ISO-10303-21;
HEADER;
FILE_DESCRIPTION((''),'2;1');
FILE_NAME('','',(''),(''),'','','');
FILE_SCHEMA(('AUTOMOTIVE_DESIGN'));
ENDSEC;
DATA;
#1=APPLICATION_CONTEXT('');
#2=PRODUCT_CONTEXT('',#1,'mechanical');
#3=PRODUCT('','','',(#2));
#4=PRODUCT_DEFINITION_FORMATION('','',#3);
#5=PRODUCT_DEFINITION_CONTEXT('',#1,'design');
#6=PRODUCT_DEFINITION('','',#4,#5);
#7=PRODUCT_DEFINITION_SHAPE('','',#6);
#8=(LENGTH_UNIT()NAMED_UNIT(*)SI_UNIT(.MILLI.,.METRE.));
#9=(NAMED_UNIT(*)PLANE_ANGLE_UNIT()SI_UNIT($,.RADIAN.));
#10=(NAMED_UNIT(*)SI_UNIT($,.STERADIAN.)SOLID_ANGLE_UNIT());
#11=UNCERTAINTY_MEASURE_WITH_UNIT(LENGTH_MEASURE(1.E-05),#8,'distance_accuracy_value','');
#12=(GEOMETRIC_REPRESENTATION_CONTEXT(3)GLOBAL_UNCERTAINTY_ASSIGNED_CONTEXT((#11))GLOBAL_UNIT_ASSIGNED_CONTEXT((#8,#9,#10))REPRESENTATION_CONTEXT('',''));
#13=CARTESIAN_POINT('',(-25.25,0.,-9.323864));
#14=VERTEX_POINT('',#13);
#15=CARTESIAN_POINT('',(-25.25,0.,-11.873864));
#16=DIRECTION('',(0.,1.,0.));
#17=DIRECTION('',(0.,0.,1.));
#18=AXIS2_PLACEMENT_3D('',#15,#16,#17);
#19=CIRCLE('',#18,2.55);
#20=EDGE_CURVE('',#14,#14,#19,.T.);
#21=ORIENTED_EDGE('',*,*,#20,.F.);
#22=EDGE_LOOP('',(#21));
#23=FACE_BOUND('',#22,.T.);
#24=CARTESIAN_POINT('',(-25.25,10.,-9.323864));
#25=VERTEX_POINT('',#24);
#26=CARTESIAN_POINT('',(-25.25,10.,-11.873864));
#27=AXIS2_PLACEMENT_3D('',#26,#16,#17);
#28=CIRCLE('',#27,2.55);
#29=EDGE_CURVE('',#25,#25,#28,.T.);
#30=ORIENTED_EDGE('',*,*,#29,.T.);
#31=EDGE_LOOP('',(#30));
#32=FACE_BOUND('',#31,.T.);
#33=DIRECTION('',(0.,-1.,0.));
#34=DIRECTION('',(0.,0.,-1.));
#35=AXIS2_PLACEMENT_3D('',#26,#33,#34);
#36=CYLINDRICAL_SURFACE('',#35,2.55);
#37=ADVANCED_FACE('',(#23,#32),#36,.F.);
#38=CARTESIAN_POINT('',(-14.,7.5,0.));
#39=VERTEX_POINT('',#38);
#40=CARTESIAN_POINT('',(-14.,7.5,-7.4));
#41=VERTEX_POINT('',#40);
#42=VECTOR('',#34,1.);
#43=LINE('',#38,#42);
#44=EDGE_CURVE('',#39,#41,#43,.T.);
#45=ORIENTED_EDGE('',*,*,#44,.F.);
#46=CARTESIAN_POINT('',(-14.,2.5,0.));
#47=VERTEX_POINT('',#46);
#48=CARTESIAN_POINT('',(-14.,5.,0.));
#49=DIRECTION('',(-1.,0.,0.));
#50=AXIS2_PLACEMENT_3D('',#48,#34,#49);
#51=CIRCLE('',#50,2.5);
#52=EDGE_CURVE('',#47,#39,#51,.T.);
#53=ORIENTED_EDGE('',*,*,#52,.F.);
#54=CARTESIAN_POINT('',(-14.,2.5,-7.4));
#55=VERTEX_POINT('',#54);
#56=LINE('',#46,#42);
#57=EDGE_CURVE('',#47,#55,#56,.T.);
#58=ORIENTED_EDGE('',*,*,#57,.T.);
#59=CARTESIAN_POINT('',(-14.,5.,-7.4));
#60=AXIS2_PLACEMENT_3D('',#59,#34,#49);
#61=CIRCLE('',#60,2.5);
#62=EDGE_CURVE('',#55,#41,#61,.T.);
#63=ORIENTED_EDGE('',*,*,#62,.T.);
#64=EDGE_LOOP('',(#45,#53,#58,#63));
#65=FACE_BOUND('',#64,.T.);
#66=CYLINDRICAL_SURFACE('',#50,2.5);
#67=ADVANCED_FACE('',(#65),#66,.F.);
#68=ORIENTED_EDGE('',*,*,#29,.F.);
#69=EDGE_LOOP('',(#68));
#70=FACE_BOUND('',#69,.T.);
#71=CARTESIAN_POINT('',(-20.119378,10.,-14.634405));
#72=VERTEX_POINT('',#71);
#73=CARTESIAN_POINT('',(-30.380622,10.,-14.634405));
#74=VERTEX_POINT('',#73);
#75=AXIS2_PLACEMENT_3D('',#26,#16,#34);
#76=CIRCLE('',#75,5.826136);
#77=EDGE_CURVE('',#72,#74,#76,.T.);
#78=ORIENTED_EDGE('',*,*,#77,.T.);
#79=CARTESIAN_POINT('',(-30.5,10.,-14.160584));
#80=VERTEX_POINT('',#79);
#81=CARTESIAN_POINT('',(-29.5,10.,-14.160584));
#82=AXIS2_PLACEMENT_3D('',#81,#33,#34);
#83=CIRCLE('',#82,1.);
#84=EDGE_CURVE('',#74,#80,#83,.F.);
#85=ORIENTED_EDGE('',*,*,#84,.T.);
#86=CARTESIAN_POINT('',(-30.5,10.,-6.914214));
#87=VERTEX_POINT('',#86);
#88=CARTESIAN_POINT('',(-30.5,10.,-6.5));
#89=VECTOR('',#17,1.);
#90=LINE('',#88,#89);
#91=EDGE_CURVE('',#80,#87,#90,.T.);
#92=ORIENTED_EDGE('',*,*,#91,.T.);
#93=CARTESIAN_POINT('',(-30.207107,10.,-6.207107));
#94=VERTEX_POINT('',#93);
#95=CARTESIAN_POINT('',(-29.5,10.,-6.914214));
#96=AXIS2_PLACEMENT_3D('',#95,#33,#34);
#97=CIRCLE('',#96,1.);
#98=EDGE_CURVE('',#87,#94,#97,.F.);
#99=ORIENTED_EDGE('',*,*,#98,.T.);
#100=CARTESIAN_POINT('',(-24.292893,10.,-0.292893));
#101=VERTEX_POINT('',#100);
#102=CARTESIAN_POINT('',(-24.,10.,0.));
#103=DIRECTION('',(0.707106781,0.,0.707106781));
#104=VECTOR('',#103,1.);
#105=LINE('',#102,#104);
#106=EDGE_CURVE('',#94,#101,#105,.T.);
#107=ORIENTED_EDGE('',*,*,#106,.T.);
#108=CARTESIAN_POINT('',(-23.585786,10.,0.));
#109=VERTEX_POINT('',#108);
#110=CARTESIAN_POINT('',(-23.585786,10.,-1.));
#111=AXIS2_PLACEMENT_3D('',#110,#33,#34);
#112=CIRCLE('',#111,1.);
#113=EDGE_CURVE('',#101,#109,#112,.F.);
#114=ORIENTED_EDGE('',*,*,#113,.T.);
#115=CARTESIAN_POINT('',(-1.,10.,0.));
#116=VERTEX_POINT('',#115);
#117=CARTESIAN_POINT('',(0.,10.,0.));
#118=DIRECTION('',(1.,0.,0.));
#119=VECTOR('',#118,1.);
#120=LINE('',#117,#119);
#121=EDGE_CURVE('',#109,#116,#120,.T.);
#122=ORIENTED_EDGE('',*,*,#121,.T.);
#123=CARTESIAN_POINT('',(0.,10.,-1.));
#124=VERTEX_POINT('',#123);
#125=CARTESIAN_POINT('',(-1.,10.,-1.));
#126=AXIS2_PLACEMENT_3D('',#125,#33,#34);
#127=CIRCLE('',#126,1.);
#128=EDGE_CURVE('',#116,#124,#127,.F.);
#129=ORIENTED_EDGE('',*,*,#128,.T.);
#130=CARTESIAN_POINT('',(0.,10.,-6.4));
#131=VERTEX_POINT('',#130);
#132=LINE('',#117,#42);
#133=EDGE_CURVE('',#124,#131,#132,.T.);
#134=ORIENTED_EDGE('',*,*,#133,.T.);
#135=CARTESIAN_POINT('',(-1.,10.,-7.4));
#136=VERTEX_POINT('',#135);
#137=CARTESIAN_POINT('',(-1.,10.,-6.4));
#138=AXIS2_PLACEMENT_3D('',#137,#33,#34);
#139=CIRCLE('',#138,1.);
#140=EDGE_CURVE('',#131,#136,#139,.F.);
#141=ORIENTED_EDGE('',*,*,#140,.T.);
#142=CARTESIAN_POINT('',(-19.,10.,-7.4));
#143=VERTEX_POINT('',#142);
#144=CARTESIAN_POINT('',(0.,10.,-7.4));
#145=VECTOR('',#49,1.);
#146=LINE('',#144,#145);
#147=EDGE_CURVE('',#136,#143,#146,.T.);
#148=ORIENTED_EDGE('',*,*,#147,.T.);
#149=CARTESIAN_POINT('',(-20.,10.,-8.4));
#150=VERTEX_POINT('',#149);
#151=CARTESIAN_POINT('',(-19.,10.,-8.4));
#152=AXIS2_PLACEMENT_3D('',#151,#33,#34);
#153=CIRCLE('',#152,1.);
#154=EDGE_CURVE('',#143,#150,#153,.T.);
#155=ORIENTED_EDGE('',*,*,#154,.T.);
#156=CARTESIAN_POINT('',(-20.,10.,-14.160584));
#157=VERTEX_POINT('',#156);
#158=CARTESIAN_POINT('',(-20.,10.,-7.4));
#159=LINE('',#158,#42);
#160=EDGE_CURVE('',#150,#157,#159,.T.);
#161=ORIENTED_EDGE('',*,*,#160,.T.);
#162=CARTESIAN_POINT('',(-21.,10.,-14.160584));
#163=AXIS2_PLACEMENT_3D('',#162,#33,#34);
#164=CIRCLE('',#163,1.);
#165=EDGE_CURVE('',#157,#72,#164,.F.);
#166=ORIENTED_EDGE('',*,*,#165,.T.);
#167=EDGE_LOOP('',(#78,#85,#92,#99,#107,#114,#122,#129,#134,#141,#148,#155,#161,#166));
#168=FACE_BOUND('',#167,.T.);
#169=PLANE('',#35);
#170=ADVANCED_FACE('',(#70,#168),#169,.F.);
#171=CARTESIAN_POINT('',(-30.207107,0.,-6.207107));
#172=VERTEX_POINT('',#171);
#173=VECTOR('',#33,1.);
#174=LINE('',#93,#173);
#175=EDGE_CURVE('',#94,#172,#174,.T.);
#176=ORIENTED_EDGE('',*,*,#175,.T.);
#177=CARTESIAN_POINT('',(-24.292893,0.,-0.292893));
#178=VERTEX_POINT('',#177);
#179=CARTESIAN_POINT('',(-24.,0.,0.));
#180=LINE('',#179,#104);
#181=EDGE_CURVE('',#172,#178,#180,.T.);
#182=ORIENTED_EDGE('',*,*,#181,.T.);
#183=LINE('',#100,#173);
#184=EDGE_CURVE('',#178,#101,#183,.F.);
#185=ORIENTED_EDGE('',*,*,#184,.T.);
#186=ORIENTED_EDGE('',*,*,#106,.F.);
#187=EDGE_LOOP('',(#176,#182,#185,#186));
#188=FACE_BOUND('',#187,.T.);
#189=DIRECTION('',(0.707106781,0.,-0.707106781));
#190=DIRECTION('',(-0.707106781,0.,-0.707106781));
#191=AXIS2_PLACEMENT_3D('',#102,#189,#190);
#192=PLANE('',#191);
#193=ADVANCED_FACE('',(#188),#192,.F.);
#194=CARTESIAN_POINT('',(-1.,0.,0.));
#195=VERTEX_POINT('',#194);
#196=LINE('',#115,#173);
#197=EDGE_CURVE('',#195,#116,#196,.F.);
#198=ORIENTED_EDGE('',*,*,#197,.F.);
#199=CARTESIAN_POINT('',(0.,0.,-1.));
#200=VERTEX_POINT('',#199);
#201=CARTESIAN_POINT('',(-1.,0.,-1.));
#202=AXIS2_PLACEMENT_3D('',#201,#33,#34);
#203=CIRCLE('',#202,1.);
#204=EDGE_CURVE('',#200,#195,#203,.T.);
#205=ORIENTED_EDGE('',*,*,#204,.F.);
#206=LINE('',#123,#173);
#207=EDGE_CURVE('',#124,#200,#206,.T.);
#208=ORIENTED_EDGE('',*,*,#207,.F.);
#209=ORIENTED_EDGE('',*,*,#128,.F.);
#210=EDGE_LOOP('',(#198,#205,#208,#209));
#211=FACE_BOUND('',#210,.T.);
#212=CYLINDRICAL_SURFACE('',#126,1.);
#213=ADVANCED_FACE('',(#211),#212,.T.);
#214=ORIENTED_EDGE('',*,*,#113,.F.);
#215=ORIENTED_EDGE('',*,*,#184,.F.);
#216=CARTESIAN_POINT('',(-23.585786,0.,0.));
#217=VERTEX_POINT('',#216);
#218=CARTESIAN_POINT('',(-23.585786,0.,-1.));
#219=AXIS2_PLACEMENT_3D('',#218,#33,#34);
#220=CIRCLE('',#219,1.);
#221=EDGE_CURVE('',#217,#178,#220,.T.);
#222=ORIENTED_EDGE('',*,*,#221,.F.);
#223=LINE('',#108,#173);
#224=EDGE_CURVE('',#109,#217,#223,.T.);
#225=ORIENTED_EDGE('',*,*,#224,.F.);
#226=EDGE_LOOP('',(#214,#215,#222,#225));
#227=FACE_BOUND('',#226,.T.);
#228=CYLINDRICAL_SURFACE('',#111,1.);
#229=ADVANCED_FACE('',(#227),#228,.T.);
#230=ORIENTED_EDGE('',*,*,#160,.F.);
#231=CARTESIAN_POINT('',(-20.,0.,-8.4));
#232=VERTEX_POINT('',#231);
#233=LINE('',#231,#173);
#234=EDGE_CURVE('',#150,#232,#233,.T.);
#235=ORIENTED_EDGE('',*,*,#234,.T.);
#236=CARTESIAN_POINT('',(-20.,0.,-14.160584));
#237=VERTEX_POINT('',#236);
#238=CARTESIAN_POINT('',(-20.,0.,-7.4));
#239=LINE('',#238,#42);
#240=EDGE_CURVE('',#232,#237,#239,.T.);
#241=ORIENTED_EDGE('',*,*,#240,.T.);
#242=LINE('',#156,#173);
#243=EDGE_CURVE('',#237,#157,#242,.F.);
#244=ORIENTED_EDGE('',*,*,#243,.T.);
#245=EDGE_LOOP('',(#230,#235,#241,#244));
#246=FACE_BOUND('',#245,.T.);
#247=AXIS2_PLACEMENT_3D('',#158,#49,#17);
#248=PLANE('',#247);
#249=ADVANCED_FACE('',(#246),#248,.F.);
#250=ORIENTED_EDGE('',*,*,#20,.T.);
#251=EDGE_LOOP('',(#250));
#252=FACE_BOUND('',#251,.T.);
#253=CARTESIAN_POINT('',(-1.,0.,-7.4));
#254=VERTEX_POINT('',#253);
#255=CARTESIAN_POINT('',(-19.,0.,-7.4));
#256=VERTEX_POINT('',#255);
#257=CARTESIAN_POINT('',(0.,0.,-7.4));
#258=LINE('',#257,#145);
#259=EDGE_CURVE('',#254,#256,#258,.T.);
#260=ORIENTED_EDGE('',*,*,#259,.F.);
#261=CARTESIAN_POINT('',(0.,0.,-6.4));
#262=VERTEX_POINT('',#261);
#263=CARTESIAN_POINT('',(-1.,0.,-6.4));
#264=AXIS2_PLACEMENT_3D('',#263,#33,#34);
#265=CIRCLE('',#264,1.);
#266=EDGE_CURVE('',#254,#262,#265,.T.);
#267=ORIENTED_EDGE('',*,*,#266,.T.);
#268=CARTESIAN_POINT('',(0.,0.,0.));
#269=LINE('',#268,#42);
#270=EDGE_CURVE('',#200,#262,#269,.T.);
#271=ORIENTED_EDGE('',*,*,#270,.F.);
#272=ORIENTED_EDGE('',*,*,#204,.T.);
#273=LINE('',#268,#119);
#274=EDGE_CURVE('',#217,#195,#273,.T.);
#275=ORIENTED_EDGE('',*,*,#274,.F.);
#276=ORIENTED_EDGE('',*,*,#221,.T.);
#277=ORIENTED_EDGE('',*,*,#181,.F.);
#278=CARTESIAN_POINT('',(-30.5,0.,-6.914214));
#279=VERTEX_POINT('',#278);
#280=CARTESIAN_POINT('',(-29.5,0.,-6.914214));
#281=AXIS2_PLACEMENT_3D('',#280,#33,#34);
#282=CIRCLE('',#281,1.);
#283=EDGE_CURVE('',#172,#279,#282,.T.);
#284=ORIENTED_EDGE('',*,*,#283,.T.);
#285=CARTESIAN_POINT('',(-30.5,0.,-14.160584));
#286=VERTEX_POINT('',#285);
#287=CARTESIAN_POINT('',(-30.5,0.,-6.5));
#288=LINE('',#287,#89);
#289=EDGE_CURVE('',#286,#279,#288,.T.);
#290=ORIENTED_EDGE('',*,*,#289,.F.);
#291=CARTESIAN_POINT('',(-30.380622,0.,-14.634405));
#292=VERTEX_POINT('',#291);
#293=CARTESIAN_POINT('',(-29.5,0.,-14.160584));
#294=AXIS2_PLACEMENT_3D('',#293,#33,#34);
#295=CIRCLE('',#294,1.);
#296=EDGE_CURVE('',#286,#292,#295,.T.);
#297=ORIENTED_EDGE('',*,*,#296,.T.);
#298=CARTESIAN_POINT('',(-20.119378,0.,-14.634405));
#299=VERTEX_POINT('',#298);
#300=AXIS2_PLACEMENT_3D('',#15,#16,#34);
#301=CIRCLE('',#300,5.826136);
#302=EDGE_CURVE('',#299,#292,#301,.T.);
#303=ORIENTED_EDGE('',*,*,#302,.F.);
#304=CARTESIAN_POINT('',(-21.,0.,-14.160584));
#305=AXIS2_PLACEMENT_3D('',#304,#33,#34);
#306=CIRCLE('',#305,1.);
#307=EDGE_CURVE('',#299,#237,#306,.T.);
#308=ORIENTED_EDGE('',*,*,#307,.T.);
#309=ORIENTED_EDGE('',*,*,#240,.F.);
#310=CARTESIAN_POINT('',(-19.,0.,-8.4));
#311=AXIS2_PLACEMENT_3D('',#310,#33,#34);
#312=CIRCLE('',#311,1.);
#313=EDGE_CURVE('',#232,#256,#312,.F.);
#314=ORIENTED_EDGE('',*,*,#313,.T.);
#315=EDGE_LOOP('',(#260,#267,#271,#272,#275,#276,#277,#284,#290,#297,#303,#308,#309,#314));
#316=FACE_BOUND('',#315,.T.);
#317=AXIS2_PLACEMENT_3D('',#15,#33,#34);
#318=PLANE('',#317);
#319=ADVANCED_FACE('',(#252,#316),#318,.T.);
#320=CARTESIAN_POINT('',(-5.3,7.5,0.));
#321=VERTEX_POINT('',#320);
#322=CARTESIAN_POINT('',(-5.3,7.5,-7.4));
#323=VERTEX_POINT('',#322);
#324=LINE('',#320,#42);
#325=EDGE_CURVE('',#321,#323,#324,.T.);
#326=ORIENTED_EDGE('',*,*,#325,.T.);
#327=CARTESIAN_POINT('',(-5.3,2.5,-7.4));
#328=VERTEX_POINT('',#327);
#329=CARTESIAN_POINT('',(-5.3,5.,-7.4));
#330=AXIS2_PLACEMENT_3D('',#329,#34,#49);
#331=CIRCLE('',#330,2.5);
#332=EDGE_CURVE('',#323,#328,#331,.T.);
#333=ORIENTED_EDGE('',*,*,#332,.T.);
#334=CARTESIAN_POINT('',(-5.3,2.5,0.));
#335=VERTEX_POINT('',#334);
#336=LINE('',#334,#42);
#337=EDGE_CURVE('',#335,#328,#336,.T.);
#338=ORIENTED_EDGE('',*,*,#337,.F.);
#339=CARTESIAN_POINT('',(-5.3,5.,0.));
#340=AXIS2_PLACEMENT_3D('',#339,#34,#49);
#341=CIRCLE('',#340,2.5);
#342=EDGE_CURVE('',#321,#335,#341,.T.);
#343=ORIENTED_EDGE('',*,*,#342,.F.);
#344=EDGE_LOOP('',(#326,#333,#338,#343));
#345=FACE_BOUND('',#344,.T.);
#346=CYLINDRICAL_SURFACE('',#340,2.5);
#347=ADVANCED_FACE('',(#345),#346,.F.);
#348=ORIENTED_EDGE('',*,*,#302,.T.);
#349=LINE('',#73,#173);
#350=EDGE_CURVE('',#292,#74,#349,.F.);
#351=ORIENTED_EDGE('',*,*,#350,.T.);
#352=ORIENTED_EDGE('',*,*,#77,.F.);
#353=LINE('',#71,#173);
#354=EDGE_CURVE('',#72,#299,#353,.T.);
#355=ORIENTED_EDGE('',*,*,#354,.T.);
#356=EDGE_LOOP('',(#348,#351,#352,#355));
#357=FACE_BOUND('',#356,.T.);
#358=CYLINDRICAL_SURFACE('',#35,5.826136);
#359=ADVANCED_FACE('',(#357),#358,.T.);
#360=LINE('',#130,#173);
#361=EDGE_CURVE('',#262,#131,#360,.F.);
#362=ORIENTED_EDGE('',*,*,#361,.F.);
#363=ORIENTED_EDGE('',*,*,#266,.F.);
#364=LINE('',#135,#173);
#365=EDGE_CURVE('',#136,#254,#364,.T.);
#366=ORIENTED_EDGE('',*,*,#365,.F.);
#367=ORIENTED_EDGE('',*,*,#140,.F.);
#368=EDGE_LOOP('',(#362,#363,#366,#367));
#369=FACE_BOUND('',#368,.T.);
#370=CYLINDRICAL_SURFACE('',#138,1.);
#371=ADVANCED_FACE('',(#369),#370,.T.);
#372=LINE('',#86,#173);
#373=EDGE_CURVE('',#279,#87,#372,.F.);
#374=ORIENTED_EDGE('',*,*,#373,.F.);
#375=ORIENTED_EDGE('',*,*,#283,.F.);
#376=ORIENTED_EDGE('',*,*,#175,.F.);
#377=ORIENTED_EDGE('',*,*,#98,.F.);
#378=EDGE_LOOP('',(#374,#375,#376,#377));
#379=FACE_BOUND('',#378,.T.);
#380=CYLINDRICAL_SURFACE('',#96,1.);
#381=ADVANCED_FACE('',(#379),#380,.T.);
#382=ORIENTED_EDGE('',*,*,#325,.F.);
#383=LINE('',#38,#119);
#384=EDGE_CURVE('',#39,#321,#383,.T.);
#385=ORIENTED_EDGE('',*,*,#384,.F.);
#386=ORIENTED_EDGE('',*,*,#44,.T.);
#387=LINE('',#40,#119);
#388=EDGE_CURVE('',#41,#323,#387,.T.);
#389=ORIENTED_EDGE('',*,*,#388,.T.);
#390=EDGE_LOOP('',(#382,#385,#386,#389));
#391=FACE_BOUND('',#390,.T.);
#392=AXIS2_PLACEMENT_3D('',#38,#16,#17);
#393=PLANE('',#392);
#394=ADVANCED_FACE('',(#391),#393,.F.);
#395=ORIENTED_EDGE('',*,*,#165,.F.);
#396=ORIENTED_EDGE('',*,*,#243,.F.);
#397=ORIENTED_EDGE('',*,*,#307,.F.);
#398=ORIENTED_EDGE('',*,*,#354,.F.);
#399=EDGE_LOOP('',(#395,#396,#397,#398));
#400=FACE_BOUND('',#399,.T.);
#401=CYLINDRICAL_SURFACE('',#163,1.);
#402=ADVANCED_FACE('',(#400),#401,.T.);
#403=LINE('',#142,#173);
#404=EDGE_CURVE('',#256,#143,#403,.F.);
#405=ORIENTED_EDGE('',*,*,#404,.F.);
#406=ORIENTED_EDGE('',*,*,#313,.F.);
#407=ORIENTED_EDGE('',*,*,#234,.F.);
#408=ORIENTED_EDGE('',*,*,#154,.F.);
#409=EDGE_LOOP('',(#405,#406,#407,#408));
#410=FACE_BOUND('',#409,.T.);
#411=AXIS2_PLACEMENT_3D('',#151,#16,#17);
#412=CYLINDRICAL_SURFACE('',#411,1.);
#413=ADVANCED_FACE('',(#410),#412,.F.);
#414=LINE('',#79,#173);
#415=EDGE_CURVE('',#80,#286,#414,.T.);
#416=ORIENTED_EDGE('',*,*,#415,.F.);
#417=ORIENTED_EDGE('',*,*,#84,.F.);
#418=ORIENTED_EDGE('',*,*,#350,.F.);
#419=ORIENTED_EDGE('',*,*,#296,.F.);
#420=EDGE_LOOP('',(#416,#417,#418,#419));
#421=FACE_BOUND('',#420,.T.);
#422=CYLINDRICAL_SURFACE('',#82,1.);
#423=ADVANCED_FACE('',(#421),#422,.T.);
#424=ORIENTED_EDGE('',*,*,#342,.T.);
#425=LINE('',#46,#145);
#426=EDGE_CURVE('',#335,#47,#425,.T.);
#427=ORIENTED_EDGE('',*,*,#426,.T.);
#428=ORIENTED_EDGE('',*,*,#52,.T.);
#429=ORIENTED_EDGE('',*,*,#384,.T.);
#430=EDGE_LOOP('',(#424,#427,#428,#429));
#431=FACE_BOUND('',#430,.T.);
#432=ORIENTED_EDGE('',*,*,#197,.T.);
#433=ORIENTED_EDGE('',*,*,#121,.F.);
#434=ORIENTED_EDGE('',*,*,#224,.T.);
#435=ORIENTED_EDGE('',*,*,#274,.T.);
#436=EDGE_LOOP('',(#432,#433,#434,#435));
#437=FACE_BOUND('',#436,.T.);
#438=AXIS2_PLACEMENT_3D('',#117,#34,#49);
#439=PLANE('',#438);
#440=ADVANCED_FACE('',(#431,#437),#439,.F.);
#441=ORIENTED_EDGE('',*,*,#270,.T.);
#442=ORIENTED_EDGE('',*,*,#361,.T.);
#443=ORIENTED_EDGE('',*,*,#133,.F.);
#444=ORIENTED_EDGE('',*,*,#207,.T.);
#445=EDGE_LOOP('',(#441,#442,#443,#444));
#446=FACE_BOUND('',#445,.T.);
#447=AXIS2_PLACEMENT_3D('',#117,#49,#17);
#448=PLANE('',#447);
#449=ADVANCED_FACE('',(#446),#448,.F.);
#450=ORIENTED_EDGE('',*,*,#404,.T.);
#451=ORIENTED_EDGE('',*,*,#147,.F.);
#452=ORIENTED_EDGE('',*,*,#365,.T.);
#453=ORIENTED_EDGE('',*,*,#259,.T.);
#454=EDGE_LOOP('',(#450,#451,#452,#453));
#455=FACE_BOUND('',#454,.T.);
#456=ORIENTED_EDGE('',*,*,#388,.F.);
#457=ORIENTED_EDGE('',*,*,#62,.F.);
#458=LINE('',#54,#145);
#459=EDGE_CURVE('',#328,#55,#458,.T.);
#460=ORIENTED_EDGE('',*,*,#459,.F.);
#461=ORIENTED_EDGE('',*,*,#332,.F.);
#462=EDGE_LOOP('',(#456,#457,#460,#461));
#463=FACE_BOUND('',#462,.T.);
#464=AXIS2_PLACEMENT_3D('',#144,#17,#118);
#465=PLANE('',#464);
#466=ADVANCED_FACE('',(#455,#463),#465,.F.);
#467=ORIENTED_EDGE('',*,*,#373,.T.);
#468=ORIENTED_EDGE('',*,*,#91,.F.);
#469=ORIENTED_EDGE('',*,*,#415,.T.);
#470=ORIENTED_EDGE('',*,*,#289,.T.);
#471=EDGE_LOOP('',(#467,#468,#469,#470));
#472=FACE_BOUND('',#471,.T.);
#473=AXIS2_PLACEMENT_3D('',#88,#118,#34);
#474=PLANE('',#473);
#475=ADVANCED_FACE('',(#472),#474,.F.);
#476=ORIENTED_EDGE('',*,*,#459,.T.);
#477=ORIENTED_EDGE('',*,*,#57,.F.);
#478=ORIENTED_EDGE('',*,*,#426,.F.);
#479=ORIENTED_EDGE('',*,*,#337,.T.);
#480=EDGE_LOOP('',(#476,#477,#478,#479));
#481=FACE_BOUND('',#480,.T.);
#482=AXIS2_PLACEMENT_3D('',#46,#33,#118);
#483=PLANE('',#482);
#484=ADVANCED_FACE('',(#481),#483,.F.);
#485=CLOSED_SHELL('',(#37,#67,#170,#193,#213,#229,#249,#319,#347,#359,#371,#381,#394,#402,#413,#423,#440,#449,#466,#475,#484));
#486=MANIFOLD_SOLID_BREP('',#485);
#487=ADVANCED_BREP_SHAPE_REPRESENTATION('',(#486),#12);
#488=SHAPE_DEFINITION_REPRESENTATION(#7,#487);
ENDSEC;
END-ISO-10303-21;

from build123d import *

# Parameters (mm, degrees)
SKETCH1_R           = 2.55
BOSS_EXTRUDE1_DEPTH = 10
CUT_EXTRUDE1_DEPTH  = 34.709642537
FILLET2_R           = 1


with BuildPart() as part:
    # Sketch1 → Boss-Extrude1 (new body)
    with BuildSketch(Plane(origin=(0, 0, 0), x_dir=(1, 0, 0), z_dir=(0, 1, 0))):
        with BuildLine():
            Line((0, 0), (0, 7.4))
            Line((0, 7.4), (-20, 7.4))
            Line((-20, 7.4), (-20, 14.4))
            ThreePointArc((-20, 14.4), (-25.25, 17.7), (-30.5, 14.4))
            Line((-30.5, 14.4), (-30.5, 6.5))
            Line((-30.5, 6.5), (-24, 0))
            Line((-24, 0), (0, 0))
        make_face()
        with Locations(Location((-25.25, 11.873863636, 0), (0, 0, 270))):
            Circle(SKETCH1_R, mode=Mode.SUBTRACT)
    extrude(amount=BOSS_EXTRUDE1_DEPTH)

    # Sketch3 → Cut-Extrude1 (cut, through all)
    with BuildSketch(Plane(origin=(0, 0, -7.4), x_dir=(-1, 0, 0), z_dir=(0, 0, -1))):
        with BuildLine():
            Line((14, 2.5), (5.3, 2.5))
            ThreePointArc((5.3, 2.5), (2.8, 5), (5.3, 7.5))
            Line((5.3, 7.5), (14, 7.5))
            ThreePointArc((14, 7.5), (16.5, 5), (14, 2.5))
        make_face()
    extrude(amount=-CUT_EXTRUDE1_DEPTH, mode=Mode.SUBTRACT)

    # Fillet2
    fillet2_edges = [part.edges().sort_by_distance(p)[0] for p in [
        (-24, 5, 0),
        (-30.5, 5, -6.5),
        (-30.5, 5, -14.4),
        (-20, 5, -14.4),
        (-20, 5, -7.4),
        (0, 5, -7.4),
        (0, 5, 0),
    ]]
    fillet(fillet2_edges, radius=FILLET2_R)


solid = part.part
